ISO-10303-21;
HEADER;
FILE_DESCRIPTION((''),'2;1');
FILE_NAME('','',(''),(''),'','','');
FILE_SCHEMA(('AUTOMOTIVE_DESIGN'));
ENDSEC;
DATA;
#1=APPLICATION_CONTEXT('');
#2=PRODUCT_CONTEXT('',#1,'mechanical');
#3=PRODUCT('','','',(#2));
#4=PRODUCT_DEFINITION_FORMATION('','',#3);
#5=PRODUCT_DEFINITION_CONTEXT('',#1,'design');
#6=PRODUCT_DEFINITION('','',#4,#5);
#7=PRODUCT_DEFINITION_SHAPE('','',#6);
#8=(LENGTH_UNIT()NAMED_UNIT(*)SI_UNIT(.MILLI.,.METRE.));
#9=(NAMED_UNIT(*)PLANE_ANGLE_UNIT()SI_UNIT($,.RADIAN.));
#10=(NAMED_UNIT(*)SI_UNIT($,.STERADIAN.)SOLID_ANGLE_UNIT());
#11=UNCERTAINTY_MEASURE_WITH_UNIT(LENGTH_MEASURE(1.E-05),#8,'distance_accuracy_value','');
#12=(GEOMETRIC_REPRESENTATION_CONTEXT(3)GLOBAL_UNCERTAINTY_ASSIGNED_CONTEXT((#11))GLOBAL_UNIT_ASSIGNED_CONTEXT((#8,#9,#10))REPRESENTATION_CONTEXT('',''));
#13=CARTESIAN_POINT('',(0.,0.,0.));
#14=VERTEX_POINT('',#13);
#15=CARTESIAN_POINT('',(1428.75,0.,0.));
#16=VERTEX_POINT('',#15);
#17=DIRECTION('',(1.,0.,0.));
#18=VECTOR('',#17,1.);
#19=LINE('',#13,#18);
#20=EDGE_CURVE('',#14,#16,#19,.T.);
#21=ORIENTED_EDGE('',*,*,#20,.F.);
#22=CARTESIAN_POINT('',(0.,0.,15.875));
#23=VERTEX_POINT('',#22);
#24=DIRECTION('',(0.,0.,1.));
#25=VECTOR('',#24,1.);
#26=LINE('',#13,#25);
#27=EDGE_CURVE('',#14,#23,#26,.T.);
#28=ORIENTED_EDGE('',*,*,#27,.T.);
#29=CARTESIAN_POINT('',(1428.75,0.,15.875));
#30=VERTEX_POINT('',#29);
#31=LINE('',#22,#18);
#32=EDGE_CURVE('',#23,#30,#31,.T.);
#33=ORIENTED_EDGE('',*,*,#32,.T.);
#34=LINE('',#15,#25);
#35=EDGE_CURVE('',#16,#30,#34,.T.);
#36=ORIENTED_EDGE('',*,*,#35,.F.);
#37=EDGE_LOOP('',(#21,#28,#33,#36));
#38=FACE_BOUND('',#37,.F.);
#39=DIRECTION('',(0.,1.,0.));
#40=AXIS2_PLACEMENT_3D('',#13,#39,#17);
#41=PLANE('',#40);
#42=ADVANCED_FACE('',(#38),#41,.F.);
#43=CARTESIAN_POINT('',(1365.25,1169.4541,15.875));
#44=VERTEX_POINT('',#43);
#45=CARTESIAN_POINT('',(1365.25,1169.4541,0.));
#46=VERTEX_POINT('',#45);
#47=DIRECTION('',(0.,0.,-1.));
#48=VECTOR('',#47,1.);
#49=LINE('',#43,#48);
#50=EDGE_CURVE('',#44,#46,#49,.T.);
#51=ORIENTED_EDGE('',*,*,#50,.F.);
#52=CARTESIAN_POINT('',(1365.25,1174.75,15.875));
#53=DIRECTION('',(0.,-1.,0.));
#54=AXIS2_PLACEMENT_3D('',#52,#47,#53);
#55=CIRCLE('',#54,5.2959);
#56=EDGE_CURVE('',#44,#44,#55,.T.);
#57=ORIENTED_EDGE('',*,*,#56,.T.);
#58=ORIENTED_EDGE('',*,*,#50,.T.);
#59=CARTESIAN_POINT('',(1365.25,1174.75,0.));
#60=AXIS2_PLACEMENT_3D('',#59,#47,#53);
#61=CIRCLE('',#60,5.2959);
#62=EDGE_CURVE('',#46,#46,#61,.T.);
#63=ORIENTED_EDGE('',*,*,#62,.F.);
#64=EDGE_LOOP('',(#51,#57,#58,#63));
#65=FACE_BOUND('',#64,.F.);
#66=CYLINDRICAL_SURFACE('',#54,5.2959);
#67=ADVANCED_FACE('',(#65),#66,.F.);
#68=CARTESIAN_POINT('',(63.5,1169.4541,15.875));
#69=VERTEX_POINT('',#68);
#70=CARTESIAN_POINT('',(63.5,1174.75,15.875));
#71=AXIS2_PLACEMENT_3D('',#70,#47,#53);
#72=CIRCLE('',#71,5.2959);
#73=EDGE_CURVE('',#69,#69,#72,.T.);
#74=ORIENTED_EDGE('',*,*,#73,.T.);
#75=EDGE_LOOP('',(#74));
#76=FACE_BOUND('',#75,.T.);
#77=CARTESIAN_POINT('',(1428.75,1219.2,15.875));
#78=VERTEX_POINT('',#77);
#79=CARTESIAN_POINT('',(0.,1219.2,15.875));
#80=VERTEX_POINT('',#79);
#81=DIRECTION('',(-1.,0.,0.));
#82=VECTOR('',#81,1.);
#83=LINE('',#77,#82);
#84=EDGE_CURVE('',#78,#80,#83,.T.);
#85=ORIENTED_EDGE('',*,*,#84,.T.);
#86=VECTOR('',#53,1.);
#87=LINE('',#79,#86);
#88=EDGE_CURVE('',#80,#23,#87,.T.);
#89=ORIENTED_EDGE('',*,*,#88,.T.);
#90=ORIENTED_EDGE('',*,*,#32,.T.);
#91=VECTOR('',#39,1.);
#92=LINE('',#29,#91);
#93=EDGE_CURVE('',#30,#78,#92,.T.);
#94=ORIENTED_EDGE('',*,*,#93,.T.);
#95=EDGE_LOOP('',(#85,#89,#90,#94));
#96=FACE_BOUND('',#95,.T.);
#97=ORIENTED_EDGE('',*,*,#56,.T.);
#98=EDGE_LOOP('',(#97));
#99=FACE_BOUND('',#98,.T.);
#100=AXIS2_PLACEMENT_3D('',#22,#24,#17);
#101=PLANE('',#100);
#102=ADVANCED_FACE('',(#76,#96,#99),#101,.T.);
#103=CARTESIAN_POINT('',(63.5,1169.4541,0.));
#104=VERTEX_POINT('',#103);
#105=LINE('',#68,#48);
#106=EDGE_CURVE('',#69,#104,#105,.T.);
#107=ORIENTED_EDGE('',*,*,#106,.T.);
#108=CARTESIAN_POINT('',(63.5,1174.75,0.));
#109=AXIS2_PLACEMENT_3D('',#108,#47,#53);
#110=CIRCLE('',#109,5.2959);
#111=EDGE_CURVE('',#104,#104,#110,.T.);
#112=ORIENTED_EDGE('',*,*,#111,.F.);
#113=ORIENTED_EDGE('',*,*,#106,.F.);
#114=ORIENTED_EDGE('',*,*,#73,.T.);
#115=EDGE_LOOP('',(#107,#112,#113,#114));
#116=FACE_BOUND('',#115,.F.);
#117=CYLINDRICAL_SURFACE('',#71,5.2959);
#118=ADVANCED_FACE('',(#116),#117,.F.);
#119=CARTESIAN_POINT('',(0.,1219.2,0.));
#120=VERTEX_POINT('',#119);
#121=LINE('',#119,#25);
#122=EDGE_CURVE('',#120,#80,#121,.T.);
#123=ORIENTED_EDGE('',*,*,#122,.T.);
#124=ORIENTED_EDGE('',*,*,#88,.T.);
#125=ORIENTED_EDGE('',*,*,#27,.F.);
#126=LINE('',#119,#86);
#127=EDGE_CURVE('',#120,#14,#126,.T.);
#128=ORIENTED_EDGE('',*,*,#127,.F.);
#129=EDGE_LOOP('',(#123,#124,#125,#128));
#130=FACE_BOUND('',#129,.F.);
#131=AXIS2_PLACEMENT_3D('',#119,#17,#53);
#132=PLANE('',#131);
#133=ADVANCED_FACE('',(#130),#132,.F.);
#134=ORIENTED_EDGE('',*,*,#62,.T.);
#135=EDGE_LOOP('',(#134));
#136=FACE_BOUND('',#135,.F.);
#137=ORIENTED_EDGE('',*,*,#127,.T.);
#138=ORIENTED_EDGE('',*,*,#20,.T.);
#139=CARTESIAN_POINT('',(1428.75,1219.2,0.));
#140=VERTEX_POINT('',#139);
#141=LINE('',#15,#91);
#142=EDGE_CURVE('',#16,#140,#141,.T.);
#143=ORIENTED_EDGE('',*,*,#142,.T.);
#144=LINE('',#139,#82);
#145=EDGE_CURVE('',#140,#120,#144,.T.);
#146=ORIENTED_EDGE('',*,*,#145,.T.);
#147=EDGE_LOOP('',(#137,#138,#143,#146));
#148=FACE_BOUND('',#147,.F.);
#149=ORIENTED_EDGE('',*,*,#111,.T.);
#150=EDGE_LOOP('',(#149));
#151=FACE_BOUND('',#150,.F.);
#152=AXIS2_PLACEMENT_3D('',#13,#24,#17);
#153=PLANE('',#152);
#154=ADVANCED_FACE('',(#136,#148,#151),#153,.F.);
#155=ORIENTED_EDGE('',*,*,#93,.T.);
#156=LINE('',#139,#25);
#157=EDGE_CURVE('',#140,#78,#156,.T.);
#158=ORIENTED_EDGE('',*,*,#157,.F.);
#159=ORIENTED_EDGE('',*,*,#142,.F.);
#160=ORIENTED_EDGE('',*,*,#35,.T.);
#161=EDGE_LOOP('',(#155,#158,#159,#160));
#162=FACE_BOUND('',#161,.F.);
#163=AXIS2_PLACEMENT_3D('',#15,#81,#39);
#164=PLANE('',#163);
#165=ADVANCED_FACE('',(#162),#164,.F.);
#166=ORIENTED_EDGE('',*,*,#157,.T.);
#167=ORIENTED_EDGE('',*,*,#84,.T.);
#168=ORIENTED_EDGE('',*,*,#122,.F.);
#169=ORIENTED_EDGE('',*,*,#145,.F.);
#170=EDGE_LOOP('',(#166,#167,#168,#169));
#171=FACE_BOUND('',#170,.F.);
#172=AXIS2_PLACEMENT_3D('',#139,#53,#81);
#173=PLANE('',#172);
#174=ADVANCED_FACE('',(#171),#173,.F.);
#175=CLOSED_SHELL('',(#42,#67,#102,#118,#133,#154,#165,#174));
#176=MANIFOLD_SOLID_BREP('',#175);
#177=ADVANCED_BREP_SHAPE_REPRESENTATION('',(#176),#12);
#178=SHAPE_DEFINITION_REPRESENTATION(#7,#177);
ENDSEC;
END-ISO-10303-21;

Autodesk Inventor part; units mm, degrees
ref_plane "YZ Plane" through (0, 0, 0) normal (1, 0, 0) x (0, 1, 0)
ref_plane "XZ Plane" through (0, 0, 0) normal (0, 1, 0) x (-1, 0, 0)
ref_plane "XY Plane" through (0, 0, 0) normal (0, 0, 1) x (1, 0, 0)
sketch "Sketch1" plane through (0, 0, 0) normal (0, 0, 1) x (1, 0, 0)
  line L0 (0, 0) -> (1428.75, 0)
  line L1 (1428.75, 0) -> (1428.75, 1219.2)
  line L2 (1428.75, 1219.2) -> (0, 1219.2)
  line L3 (0, 1219.2) -> (0, 0)
  dimension "d0" = 1428.75
  dimension "d1" = 1219.2
extrude "Extrusion1" add sketch "Sketch1" along normal blind 15.875
sketch "Sketch2" plane through (0, 0, 15.875) normal (0, 0, 1) x (1, 0, 0)
  line L0 (1428.75, 1219.2) -> (1365.25, 1219.2)
  line L1 (1365.25, 1219.2) -> (1365.25, 1174.75)
  line L2 (1365.25, 1174.75) -> (1428.75, 1174.75)
  line L3 (1428.75, 1174.75) -> (1428.75, 1219.2)
  line L4 (0, 1219.2) -> (63.5, 1219.2)
  line L5 (63.5, 1219.2) -> (63.5, 1174.75)
  line L6 (63.5, 1174.75) -> (0, 1174.75)
  line L7 (0, 1174.75) -> (0, 1219.2)
  dimension "d4" = 63.5
  dimension "d5" = 44.45
  dimension "d6" = 63.5
hole "Hole1" at (1365.25, 1174.75, 15.875) at (63.5, 1174.75, 15.875) direction (0, 0, -1) diameter 10.5918 depth 35.179 tip angle 118 thread size "1/2-13 UNC" class "2B" standard "ANSI Unified Screw Threads"
properties part number "56.25x48 Gyp Top"
